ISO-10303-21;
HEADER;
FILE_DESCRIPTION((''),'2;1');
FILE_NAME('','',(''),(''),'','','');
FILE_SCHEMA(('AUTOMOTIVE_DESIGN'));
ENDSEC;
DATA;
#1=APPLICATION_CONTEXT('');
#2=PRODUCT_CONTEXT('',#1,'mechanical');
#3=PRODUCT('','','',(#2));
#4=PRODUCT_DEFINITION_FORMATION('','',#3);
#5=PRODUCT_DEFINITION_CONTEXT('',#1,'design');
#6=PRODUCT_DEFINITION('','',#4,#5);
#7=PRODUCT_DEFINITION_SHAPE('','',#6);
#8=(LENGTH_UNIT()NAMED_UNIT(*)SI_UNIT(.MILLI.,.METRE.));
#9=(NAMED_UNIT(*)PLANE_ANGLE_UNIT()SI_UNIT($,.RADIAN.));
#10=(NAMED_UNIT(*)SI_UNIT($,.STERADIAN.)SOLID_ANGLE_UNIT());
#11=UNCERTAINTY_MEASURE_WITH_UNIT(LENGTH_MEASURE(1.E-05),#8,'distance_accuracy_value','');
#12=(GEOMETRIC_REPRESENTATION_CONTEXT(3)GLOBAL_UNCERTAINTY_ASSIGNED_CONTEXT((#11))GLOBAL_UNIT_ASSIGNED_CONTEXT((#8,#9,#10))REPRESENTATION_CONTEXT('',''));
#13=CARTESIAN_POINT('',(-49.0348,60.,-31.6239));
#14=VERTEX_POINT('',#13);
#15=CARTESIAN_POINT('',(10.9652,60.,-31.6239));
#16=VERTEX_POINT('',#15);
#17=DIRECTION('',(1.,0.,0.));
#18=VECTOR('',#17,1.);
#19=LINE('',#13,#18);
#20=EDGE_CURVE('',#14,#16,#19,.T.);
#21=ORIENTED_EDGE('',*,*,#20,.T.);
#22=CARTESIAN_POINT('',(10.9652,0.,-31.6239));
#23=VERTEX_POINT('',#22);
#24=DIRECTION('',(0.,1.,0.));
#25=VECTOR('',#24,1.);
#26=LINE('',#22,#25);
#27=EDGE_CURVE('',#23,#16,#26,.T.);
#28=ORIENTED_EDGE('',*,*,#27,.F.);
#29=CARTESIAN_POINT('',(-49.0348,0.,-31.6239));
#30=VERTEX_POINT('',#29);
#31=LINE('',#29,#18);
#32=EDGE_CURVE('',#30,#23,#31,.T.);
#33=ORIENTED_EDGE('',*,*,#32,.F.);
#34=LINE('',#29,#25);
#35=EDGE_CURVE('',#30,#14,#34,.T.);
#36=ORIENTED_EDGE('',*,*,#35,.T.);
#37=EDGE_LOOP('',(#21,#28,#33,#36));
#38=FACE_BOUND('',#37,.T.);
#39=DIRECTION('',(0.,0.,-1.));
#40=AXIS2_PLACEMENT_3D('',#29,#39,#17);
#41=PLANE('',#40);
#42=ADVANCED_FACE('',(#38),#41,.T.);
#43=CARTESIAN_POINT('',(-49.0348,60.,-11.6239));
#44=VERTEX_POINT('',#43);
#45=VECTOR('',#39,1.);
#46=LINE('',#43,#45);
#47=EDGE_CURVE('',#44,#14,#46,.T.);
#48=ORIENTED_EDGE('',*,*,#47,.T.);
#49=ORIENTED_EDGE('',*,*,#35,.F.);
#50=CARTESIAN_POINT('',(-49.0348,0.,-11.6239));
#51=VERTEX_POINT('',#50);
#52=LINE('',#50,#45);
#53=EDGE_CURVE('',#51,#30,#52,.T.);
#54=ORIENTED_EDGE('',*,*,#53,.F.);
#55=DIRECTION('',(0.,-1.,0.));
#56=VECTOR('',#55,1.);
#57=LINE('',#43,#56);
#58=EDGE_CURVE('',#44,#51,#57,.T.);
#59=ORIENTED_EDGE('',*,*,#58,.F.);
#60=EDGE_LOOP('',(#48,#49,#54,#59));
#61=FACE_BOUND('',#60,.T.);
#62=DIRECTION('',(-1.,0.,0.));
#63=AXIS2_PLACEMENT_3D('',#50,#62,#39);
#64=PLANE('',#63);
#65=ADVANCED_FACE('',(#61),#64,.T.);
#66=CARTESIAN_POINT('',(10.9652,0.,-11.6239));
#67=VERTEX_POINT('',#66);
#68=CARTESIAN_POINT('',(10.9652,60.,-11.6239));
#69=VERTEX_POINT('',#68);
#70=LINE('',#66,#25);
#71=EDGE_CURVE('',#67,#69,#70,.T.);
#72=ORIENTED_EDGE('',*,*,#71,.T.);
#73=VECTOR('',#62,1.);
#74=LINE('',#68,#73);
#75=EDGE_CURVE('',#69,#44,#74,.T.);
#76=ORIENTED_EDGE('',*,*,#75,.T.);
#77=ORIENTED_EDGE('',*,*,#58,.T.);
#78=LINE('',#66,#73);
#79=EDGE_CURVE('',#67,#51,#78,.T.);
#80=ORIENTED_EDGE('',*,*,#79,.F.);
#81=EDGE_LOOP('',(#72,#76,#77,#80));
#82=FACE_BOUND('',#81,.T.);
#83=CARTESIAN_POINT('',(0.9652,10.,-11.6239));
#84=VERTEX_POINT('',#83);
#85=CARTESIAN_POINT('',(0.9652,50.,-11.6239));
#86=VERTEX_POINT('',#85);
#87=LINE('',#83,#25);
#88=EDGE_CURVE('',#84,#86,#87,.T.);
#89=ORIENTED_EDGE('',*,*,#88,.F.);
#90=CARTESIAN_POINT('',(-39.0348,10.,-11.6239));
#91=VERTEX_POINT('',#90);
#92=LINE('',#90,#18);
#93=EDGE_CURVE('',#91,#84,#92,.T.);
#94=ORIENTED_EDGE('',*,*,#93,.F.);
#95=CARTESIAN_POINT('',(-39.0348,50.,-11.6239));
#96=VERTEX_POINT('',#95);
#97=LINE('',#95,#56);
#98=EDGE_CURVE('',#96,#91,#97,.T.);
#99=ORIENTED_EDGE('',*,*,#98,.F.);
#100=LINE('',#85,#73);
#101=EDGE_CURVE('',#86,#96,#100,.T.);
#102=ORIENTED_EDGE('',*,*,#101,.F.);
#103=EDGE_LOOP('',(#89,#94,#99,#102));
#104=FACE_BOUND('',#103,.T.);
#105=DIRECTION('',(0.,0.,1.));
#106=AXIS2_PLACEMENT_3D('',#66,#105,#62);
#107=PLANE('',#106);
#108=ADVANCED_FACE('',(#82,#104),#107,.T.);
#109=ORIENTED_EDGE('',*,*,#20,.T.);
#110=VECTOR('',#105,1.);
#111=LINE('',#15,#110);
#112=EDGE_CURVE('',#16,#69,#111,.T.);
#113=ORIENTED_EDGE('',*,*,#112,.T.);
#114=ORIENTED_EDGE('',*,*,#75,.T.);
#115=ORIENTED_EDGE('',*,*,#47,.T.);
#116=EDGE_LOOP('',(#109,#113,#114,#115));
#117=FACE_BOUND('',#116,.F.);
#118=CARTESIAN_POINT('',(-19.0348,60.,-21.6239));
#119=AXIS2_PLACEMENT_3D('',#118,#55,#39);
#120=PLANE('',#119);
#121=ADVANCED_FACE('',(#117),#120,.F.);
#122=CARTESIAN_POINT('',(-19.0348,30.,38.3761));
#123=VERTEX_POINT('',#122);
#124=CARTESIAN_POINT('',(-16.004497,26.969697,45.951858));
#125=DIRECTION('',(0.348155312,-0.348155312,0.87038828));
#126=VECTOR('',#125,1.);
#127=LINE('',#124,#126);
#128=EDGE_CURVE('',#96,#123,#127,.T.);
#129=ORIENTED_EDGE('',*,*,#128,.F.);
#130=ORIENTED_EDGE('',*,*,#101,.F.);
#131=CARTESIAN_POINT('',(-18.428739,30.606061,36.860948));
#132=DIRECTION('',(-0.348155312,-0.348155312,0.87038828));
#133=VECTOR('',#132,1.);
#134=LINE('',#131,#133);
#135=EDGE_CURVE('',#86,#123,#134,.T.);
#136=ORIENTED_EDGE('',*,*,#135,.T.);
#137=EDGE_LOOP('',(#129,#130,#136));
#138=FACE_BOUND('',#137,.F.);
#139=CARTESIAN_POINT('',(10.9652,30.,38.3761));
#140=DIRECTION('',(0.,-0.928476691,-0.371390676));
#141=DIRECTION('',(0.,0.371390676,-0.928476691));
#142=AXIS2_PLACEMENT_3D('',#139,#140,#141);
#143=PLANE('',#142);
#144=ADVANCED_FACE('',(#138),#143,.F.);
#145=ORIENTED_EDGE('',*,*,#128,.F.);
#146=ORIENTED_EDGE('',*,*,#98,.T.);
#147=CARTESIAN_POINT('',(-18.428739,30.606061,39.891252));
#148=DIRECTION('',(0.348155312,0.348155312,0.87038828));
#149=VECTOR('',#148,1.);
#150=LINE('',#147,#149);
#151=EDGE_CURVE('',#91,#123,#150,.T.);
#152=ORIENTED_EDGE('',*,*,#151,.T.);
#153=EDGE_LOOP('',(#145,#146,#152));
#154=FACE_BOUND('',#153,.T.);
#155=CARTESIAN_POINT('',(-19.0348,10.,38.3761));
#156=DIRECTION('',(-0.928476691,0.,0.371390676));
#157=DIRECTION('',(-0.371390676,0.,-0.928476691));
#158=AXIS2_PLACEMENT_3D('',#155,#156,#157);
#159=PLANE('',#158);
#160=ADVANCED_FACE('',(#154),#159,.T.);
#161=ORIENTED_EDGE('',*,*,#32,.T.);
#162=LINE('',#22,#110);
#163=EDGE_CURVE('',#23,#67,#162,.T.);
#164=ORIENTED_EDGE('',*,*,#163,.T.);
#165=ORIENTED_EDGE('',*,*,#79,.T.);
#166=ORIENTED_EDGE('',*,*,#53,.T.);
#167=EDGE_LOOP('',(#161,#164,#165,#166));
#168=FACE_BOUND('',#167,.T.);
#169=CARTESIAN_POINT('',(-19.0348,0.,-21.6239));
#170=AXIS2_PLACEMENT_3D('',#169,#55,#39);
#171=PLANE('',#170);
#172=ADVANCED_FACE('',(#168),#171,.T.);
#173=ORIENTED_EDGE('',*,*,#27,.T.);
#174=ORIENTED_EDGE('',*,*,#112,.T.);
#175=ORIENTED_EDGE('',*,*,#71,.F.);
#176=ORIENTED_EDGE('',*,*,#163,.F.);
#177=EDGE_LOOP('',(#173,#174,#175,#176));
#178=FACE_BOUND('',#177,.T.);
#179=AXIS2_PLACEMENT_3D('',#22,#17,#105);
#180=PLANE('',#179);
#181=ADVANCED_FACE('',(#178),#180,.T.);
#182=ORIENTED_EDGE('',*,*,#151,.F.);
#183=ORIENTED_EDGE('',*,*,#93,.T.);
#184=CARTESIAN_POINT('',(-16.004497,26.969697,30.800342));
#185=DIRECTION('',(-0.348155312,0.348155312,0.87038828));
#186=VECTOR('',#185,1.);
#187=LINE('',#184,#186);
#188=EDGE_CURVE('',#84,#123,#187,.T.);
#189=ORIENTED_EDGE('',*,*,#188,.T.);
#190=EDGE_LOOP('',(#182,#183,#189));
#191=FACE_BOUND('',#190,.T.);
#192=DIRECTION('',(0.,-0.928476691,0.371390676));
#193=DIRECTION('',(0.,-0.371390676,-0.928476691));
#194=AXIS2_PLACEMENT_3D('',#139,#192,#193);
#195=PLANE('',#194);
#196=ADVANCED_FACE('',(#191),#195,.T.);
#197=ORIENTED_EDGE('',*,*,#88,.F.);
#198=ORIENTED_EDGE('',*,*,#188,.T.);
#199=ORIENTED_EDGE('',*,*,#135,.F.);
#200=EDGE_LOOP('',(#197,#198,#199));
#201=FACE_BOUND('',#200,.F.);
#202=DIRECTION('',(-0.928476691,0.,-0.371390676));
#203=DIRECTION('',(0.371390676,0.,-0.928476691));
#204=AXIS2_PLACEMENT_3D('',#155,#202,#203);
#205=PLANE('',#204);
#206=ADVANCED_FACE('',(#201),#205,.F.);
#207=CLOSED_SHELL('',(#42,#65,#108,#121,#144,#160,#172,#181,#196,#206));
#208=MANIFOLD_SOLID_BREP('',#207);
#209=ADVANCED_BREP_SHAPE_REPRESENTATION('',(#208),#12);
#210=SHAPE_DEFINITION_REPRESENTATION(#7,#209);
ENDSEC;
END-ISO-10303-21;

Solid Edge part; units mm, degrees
sketch "Sketch1" plane through (0, 0, 0) normal (0, -1, 0) x (1, 0, 0)
  line L0 (10.9652, -11.6239) -> (-49.0348, -11.6239)
  line L1 (-49.0348, -11.6239) -> (-49.0348, -31.6239)
  line L2 (-49.0348, -31.6239) -> (10.9652, -31.6239)
  line L3 (10.9652, -31.6239) -> (10.9652, -11.6239)
extrude "Protrusion1" add sketch "Sketch1" against normal blind 60
sketch "Sketch2" plane through (-19.0348, 30, -11.6239) normal (0, 0, 1) x (1, 0, 0)
  line L0 (-20, -20) -> (20, -20)
  line L1 (20, -20) -> (20, 20)
  line L2 (20, 20) -> (-20, 20)
  line L3 (-20, 20) -> (-20, -20)
extrude "ExtrudedProtrusion_2" add sketch "Sketch2" along normal blind 50
sketch "Sketch3" plane through (-19.0348, 10, 13.3761) normal (0, -1, 0) x (1, 0, 0)
  line L0 (0, 25) -> (-20, -25)
  line L1 (-20, -25) -> (-20, 25)
  line L2 (-20, 25) -> (0, 25)
  line L3 (20, 25) -> (0, 25)
  line L4 (0, 25) -> (20, -25)
  line L5 (20, -25) -> (20, 25)
extrude "ExtrudedCutout_1" cut sketch "Sketch3" against normal blind 103.1734
sketch "Sketch4" plane through (10.9652, 30, -21.6239) normal (1, 0, 0) x (0, 1, 0)
  line L0 (0, 60) -> (-20, 10)
  line L1 (-20, 10) -> (-20, 60)
  line L2 (-20, 60) -> (0, 60)
  line L3 (0, 60) -> (20, 10)
  line L4 (20, 10) -> (20, 60)
  line L5 (20, 60) -> (0, 60)
extrude "ExtrudedCutout_2" cut sketch "Sketch4" against normal blind 271.3567
